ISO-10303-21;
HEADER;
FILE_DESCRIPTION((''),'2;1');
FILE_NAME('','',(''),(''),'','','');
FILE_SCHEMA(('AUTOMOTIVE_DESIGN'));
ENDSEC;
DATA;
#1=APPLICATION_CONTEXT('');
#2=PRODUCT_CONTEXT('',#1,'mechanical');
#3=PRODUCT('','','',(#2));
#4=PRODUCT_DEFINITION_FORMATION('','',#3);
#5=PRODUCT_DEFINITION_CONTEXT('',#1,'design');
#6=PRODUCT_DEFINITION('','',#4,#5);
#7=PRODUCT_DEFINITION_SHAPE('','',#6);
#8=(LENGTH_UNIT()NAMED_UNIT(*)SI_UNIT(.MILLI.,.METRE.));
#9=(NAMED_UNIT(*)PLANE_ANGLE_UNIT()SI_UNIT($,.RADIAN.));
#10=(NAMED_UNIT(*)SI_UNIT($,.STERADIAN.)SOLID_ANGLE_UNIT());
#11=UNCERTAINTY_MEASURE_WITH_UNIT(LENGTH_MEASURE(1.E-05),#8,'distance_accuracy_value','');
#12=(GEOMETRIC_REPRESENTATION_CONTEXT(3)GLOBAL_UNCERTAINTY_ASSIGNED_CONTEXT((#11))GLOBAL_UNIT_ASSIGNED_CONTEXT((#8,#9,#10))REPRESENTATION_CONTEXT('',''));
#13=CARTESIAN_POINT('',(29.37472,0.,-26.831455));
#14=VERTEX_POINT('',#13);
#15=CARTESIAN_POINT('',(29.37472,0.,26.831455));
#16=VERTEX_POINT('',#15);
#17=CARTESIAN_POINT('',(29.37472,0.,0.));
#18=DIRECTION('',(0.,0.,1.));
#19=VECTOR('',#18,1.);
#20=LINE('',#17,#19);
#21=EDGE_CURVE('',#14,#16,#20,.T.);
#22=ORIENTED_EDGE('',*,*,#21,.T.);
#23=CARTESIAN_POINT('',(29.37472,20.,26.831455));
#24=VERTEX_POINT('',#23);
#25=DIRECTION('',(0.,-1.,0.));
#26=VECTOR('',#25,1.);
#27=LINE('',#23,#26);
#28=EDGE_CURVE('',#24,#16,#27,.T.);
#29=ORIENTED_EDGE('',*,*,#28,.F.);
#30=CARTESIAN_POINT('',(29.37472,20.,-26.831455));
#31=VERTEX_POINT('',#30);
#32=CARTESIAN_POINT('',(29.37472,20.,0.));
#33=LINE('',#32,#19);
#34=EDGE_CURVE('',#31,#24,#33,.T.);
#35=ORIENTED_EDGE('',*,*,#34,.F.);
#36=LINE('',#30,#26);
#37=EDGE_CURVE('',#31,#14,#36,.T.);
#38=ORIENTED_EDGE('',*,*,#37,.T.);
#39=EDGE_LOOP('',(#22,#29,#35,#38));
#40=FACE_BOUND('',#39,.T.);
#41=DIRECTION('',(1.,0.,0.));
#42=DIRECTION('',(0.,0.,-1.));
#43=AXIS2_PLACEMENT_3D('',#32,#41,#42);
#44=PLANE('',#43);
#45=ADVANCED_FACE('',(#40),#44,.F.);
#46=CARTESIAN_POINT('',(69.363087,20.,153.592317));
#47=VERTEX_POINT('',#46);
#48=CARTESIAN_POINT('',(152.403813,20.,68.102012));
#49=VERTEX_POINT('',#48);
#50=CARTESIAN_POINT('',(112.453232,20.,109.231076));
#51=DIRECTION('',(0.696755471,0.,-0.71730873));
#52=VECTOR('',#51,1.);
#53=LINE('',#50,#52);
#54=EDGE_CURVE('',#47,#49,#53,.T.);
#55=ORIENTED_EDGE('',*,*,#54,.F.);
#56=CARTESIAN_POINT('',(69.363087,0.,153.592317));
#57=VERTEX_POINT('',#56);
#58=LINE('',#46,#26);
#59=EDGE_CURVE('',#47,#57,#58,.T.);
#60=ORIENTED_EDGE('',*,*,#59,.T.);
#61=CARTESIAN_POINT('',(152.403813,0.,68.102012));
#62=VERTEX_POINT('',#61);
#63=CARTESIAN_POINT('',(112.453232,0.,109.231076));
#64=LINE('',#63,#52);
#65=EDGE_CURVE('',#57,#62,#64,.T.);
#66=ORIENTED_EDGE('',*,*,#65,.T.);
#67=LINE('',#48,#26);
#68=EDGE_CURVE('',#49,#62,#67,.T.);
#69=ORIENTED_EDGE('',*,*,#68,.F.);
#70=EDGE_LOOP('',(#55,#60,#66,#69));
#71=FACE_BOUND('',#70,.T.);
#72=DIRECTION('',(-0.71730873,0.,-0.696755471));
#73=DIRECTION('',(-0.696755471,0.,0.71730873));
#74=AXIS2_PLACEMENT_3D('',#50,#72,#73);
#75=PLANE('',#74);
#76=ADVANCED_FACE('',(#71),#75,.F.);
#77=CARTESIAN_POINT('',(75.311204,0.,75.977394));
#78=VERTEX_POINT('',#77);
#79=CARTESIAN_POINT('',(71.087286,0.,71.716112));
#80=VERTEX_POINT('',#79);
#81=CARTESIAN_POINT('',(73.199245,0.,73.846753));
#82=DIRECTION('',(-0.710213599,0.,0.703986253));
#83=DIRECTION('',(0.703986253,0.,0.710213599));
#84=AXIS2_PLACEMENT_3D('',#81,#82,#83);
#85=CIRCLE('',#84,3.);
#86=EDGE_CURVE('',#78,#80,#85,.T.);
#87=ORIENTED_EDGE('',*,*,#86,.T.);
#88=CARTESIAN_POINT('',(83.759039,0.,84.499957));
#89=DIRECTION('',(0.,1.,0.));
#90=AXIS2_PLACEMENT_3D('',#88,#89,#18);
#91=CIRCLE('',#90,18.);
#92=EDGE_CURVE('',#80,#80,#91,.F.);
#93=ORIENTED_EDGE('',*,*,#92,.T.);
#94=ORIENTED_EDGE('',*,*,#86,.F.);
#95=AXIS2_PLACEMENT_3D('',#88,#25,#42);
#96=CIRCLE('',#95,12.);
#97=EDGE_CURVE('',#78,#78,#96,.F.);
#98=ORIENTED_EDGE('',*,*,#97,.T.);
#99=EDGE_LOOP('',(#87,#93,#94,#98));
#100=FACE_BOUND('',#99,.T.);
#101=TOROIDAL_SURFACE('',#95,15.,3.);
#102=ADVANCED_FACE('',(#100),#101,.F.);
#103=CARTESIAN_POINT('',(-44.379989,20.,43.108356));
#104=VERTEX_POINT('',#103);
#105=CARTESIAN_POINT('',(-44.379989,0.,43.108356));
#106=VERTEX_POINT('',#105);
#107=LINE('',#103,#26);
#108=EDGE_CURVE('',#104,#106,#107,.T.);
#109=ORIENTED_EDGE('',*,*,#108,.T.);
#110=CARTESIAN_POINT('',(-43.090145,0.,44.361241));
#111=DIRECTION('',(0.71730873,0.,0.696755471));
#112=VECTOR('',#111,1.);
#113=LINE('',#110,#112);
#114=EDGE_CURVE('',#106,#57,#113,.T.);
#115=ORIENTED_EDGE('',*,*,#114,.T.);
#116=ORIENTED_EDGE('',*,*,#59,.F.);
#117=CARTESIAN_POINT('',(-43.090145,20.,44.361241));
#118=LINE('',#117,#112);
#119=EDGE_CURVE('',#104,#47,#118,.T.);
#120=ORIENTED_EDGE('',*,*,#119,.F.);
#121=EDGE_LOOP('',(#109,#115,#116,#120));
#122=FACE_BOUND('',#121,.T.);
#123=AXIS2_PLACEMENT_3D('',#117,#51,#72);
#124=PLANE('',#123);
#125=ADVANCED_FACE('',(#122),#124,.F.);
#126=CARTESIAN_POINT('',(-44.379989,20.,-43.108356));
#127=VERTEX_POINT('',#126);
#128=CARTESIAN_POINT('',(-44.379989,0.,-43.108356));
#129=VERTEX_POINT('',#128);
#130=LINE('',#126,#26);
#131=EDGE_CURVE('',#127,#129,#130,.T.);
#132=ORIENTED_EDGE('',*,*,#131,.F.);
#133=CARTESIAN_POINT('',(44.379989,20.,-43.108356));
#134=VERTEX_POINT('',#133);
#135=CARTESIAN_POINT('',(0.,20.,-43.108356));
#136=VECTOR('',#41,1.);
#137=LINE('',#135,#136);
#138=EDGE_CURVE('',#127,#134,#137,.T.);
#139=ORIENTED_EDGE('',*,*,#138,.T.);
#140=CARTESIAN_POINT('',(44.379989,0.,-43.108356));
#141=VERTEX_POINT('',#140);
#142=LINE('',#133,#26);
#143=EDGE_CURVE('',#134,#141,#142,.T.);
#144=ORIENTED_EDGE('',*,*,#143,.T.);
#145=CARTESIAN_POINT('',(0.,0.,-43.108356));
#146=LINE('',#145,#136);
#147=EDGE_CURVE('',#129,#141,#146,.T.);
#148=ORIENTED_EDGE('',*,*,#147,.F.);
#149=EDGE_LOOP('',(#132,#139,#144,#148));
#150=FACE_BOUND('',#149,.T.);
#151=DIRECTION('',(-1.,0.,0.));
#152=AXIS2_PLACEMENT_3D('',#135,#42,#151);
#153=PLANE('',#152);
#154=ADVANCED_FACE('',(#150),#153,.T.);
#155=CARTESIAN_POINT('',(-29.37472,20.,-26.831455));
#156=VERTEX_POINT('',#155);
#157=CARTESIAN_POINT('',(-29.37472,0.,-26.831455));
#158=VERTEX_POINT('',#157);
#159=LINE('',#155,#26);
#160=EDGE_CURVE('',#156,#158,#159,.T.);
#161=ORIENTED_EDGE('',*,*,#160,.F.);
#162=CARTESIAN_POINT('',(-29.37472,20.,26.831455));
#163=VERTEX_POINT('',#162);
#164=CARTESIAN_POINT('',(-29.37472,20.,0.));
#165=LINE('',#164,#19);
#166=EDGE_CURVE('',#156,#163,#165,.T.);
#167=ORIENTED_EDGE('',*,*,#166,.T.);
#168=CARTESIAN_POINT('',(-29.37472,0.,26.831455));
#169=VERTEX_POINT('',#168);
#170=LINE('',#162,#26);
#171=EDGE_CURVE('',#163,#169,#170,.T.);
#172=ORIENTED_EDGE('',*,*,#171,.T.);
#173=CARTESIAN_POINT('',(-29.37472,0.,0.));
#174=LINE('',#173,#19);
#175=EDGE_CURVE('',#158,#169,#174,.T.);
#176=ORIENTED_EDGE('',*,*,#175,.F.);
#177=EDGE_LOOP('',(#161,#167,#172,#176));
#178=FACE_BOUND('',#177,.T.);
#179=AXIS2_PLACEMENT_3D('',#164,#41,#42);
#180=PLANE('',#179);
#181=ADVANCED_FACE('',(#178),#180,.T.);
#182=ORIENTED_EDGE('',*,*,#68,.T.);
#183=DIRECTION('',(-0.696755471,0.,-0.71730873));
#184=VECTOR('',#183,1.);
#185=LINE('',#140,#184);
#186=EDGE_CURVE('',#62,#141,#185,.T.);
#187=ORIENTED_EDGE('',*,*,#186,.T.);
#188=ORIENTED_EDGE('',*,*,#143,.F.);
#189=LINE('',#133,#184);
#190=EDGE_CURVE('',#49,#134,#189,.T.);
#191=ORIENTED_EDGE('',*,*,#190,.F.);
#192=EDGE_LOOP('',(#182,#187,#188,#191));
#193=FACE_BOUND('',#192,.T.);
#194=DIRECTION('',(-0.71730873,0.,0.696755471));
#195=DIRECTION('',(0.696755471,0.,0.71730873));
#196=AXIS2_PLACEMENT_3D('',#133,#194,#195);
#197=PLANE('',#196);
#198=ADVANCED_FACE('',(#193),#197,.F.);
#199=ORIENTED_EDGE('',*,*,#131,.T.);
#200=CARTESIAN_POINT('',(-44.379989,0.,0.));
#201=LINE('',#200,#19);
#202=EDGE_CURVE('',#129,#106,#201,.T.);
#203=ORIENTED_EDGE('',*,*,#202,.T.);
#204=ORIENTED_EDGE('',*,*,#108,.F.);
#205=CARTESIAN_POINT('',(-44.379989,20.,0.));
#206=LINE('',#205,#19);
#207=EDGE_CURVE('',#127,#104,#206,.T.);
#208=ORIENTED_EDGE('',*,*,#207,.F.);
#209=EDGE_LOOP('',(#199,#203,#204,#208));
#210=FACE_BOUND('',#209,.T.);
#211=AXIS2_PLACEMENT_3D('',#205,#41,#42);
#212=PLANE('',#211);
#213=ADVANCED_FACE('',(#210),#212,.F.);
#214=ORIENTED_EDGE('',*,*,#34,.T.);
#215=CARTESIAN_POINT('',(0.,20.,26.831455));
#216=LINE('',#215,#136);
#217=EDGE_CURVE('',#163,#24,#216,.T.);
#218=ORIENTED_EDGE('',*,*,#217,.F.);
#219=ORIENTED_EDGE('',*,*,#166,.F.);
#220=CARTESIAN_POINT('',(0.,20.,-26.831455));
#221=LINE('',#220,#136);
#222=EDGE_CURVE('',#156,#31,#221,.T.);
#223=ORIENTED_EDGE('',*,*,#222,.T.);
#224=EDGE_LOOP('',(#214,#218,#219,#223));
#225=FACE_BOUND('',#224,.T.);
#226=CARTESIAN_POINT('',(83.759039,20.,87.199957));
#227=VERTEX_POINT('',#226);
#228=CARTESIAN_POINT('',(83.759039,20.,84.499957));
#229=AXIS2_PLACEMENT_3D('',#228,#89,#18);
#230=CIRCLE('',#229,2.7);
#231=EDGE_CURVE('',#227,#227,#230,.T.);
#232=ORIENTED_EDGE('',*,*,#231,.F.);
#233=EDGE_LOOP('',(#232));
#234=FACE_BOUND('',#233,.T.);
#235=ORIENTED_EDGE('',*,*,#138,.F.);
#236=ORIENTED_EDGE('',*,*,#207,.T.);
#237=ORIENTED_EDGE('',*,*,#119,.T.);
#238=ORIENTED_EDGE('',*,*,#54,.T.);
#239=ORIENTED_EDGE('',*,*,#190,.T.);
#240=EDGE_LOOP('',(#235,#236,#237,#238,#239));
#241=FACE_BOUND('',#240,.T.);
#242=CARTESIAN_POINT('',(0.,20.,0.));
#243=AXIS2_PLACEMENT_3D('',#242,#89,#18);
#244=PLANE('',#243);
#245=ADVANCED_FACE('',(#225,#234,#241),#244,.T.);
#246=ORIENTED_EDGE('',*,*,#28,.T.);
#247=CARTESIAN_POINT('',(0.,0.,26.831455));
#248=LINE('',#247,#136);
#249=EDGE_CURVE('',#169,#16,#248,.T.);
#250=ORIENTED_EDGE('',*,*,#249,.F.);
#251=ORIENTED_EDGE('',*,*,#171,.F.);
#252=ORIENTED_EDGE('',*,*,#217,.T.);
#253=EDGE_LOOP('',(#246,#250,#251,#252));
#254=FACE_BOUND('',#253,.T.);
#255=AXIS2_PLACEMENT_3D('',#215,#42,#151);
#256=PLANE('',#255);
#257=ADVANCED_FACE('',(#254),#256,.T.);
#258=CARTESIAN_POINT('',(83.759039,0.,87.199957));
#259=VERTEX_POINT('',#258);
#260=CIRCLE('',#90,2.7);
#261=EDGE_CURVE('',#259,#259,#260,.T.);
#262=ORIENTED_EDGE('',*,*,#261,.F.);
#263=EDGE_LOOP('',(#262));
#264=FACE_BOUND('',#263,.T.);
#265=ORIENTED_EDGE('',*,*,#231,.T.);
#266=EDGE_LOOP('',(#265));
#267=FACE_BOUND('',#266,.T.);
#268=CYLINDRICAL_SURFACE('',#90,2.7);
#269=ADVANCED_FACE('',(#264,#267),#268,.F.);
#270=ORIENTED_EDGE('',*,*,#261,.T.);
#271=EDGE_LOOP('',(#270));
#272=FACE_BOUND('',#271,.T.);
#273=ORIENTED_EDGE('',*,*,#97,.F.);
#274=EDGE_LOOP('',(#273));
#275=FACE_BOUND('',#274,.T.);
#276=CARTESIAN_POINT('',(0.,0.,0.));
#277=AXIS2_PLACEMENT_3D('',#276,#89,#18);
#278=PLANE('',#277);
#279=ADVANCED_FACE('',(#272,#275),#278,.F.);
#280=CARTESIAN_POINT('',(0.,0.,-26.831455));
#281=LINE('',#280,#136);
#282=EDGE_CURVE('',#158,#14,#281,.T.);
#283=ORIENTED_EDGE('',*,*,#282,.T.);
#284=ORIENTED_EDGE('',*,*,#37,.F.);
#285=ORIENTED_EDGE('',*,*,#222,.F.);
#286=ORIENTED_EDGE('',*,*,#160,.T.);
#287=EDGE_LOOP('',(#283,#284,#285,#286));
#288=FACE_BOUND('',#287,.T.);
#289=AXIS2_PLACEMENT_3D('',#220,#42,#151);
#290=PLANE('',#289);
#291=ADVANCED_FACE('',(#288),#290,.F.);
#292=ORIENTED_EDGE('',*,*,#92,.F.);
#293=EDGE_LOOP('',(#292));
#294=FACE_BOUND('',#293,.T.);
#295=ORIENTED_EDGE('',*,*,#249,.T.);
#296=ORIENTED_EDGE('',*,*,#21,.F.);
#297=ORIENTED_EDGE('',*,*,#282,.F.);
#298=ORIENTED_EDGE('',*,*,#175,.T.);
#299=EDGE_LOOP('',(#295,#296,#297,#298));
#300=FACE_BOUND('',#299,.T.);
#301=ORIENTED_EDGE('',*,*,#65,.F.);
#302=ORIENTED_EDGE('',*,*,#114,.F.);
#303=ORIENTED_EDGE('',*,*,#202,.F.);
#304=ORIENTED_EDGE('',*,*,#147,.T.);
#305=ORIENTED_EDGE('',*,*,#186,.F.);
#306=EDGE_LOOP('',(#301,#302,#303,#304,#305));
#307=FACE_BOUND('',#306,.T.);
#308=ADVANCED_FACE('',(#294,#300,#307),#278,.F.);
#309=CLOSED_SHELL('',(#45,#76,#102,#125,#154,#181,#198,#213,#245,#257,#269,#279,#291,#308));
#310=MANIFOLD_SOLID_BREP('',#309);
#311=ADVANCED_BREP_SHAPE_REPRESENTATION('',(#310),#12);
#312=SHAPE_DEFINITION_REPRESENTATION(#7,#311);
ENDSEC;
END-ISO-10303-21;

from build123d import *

# Parameters (mm, degrees)
SKETCH1_W           = 58.749440694
SKETCH1_H           = 53.662909032
BOSS_EXTRUDE1_DEPTH = 20
SKETCH2_R           = 2.7
CUT_EXTRUDE1_DEPTH  = 20
SKETCH4_R           = 3


with BuildPart() as part:
    # Sketch1 → Boss-Extrude1 (new body)
    with BuildSketch(Plane(origin=(0, 0, 0), x_dir=(1, 0, 0), z_dir=(0, 1, 0))):
        Polygon((69.363086635, -153.592317311), (152.403813045, -68.102011951), (44.37998875, 43.108355834), (-44.37998875, 43.108355834), (-44.37998875, -43.108355834), align=None)
        Rectangle(SKETCH1_W, SKETCH1_H, mode=Mode.SUBTRACT)
    extrude(amount=BOSS_EXTRUDE1_DEPTH)

    # Sketch2 → Cut-Extrude1 (cut)
    with BuildSketch(Plane(origin=(0, 20, 0), x_dir=(1, 0, 0), z_dir=(0, 1, 0))):
        with Locations((83.759038646, -84.499957196)):
            Circle(SKETCH2_R)
    extrude(amount=-CUT_EXTRUDE1_DEPTH, mode=Mode.SUBTRACT)

    # Cut-Sweep1: sweep along a path in Sketch3
    with BuildLine(Plane.XZ) as cut_sweep1_path:
        CenterArc((83.759038646, 84.499957196), 15, 0, 360)
    # Sketch4 → Cut-Sweep1 (sweep, cut)
    with BuildSketch(Plane(origin=(0, 0, 0), x_dir=(0.703986253, 0, 0.710213599), z_dir=(-0.710213599, 0, 0.703986253))):
        with Locations((103.97823045, 0)):
            Circle(SKETCH4_R)
    sweep(path=cut_sweep1_path.line, mode=Mode.SUBTRACT)


solid = part.part
